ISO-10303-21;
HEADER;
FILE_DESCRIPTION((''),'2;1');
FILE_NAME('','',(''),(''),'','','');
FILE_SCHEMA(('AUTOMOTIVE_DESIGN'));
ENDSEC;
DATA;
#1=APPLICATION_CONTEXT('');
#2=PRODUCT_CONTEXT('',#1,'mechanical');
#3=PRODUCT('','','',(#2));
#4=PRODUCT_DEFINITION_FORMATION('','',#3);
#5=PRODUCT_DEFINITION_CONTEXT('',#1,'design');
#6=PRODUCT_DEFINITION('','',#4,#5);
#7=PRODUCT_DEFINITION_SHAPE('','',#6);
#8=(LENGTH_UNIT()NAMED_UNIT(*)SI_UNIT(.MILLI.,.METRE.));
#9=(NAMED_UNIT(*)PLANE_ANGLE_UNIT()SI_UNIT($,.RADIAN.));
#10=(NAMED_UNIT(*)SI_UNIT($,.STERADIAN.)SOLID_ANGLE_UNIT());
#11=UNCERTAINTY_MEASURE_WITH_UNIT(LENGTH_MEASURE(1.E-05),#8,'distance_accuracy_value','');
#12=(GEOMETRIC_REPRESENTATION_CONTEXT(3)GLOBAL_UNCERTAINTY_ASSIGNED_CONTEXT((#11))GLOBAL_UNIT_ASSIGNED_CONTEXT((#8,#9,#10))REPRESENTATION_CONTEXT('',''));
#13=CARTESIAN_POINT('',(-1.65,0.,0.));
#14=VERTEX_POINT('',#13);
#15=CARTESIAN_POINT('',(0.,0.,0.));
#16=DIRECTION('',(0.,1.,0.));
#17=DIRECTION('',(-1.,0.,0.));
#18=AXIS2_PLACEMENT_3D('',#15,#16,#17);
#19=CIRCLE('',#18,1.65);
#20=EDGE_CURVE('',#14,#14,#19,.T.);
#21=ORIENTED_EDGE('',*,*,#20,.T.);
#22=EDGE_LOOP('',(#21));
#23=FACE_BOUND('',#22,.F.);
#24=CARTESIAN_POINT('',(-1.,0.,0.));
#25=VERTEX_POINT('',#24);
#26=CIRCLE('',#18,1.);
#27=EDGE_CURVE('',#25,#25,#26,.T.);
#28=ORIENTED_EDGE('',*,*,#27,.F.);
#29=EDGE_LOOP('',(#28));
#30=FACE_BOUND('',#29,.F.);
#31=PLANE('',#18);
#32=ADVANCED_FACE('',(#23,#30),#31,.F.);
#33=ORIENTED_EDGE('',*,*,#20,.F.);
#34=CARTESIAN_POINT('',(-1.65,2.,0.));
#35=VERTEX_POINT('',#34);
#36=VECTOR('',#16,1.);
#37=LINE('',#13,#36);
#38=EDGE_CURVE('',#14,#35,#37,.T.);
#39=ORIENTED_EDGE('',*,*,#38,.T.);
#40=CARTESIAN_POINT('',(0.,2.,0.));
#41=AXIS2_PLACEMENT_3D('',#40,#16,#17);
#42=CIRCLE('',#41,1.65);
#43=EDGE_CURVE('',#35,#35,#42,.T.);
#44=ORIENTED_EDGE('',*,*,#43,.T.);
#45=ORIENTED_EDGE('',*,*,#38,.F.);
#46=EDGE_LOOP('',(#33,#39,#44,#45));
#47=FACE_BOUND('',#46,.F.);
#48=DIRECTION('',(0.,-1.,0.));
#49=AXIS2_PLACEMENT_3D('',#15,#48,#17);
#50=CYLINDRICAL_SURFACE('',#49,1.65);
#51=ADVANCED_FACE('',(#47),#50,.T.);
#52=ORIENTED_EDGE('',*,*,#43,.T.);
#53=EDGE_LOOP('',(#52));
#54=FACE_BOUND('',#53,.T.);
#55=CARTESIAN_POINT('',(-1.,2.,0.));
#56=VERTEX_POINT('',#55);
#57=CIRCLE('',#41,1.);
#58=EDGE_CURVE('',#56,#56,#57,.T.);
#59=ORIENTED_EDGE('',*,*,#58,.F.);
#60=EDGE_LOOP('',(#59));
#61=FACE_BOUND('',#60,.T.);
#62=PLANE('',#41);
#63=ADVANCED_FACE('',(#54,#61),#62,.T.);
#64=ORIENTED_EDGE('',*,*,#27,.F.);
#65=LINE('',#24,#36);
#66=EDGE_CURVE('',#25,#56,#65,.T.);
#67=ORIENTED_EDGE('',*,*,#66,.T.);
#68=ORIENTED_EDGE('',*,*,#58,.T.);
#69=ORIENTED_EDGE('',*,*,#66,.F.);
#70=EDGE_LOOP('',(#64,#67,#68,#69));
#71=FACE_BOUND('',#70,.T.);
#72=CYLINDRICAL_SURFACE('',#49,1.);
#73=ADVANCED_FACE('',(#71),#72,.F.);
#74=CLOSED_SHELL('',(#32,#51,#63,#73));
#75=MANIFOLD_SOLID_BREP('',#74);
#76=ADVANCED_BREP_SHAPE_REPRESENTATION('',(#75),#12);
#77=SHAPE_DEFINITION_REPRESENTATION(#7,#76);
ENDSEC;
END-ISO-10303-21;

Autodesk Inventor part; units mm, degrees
ref_plane "YZ Plane" through (0, 0, 0) normal (1, 0, 0) x (0, 1, 0)
ref_plane "XZ Plane" through (0, 0, 0) normal (0, 1, 0) x (-1, 0, 0)
ref_plane "XY Plane" through (0, 0, 0) normal (0, 0, 1) x (1, 0, 0)
sketch "Sketch1" plane through (0, 0, 0) normal (0, 1, 0) x (-1, 0, 0)
  circle A0 centre (0, 0) radius 1
  circle A1 centre (0, 0) radius 1.65
  dimension "d0" = 2
  dimension "d1" = 3.3
extrude "Extrusion1" add sketch "Sketch1" along normal blind 2
properties part number "ma_3.3_2_2"
